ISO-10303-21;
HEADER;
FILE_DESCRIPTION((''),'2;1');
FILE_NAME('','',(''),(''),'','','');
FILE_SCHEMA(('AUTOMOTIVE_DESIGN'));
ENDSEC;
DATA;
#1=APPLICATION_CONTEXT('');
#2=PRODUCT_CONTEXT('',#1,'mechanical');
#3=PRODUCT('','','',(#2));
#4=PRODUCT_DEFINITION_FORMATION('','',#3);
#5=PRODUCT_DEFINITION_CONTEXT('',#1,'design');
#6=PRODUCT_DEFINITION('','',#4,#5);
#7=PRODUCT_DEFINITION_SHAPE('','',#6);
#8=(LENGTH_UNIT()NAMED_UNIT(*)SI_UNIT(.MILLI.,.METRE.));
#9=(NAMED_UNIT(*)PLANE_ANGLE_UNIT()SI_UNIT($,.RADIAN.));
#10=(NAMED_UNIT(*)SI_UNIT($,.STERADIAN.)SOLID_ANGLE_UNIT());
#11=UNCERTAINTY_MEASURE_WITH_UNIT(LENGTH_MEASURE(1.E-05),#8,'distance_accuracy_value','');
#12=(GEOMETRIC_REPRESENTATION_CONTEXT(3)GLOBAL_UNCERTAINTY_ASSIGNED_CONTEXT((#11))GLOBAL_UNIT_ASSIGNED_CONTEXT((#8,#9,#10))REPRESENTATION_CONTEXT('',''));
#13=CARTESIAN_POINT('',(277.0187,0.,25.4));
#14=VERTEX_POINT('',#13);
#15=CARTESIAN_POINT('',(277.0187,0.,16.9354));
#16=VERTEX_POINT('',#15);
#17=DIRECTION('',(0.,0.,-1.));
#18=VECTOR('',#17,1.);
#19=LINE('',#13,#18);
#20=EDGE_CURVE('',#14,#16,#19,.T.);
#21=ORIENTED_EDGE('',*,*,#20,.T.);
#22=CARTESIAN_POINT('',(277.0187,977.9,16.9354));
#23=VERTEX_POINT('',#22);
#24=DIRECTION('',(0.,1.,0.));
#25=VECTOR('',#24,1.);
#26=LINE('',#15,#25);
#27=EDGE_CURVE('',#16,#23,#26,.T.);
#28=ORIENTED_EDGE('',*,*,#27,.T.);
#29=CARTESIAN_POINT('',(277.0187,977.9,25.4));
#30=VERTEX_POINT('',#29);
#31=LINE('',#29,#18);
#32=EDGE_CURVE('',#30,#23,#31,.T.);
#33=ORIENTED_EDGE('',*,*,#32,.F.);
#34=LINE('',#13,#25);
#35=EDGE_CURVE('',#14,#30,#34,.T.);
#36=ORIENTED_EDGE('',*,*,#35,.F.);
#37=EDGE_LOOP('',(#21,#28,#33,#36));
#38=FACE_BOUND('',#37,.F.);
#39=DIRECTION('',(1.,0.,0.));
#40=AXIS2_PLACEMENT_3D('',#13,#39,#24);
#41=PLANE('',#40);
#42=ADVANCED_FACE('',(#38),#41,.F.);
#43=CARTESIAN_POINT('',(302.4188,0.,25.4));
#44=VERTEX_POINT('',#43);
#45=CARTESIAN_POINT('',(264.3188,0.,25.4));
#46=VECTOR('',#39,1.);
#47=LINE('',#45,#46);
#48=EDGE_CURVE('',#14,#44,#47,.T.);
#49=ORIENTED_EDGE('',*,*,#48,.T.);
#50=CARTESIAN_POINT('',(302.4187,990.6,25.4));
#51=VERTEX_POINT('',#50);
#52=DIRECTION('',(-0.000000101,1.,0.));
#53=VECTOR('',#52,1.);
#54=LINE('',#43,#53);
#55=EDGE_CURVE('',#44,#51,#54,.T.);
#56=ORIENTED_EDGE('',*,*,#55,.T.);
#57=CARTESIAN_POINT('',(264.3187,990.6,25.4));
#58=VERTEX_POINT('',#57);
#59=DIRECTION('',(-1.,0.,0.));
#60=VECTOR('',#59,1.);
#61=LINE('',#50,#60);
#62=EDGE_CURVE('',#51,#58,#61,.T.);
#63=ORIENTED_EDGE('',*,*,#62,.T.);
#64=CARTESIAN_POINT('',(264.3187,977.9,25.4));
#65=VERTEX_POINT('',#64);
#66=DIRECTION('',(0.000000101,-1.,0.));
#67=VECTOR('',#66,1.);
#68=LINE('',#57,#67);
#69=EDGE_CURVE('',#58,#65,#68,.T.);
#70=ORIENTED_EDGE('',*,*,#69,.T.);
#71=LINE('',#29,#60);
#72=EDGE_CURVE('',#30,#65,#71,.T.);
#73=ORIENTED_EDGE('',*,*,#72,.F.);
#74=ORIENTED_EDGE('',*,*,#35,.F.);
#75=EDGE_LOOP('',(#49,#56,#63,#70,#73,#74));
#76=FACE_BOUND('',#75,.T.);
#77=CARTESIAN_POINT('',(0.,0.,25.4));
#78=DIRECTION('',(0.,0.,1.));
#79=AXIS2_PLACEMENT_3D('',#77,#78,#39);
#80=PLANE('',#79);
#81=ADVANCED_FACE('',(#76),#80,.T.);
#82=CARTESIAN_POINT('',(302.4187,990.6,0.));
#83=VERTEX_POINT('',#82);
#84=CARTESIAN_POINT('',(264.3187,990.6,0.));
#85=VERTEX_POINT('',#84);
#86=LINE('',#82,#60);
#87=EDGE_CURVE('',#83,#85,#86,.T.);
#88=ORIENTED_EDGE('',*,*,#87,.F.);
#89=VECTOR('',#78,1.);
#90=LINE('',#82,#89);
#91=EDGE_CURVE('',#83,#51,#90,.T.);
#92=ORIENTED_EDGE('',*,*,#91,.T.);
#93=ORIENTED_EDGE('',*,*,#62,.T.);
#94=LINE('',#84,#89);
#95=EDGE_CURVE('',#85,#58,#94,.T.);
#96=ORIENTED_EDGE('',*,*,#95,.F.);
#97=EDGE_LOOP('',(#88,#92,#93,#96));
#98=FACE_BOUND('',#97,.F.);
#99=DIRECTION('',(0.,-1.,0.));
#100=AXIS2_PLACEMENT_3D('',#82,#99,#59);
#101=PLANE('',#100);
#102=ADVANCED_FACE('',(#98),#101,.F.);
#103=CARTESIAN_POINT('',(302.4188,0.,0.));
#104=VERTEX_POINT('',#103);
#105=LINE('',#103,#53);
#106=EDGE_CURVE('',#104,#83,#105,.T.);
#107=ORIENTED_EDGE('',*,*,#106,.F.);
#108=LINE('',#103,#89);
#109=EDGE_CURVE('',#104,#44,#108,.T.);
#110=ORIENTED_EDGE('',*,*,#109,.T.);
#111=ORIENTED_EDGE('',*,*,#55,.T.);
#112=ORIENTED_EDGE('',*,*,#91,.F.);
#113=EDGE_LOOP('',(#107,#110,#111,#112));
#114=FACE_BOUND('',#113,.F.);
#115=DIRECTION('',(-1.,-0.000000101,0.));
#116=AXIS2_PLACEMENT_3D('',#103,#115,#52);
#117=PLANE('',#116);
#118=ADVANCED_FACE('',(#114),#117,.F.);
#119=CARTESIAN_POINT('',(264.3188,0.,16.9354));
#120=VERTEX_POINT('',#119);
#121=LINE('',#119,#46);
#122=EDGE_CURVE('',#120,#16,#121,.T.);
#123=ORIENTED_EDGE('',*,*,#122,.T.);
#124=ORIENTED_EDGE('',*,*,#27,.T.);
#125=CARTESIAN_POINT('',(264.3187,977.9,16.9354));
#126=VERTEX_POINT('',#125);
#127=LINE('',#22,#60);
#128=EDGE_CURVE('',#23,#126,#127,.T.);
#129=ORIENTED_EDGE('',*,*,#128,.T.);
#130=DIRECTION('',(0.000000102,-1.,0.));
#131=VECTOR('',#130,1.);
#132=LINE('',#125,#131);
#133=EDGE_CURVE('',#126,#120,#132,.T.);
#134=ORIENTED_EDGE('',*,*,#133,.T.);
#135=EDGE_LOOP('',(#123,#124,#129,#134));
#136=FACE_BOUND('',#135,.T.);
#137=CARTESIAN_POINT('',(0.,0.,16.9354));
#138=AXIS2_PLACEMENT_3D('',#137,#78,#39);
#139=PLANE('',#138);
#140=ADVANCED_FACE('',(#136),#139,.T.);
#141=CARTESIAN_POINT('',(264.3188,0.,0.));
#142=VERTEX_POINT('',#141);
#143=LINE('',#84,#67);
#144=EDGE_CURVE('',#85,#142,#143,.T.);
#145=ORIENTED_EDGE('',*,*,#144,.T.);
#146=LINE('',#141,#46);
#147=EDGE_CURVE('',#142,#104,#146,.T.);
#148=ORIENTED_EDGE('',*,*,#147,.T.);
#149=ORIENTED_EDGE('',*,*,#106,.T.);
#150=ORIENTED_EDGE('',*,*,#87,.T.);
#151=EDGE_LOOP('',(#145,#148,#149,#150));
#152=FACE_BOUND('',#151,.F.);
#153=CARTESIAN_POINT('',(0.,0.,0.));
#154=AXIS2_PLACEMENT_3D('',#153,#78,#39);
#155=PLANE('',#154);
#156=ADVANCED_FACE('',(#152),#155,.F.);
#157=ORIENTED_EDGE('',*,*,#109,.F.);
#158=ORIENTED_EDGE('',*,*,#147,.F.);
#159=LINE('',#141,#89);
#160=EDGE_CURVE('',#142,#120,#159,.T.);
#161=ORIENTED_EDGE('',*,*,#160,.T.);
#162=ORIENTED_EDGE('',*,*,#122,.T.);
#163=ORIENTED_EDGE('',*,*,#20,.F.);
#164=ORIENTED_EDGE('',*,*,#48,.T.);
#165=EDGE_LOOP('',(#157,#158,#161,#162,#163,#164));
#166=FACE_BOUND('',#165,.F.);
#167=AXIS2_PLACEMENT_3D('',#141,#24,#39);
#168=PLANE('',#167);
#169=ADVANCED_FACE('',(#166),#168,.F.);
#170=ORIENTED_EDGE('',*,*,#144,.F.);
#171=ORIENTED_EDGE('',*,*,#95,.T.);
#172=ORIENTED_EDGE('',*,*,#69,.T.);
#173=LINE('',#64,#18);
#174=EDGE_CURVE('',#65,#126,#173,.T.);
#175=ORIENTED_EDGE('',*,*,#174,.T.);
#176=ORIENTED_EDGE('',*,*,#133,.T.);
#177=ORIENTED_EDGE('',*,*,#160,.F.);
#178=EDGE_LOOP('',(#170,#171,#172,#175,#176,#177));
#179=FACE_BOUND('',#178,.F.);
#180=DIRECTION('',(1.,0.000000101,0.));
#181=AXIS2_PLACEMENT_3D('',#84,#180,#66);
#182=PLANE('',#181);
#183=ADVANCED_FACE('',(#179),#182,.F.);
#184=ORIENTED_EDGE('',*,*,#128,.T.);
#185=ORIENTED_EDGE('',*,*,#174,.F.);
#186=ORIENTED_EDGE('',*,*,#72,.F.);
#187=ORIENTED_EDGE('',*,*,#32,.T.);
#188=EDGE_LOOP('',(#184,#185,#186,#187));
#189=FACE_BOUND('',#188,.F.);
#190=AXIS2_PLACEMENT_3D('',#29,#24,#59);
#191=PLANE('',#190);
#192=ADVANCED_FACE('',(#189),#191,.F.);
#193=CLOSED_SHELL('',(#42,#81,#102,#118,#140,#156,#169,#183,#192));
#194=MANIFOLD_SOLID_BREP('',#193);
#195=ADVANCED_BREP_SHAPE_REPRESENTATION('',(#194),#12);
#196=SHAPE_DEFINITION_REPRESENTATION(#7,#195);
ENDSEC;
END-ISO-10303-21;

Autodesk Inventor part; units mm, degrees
ref_plane "YZ Plane" through (0, 0, 0) normal (1, 0, 0) x (0, 1, 0)
ref_plane "XZ Plane" through (0, 0, 0) normal (0, 1, 0) x (-1, 0, 0)
ref_plane "XY Plane" through (0, 0, 0) normal (0, 0, 1) x (1, 0, 0)
ref_plane "Work Plane1" through (0, 0, 0) normal (0, 0, 1) x (1, 0, 0)
sketch "Sketch1" plane through (0, 0, 0) normal (0, 0, 1) x (1, 0, 0)
  line L0 (302.4187, 990.6) -> (264.3187, 990.6)
  line L1 (264.3187, 990.6) -> (264.3188, 0)
  line L2 (264.3188, 0) -> (302.4188, 0)
  line L3 (302.4188, 0) -> (302.4187, 990.6)
  point P0 (0, 0)
  dimension "d0" = 990.6
  dimension "d2" = 38.1
extrude "Extrusion1" add sketch "Sketch1" along normal blind 25.4
sketch "Sketch2" plane through (0, 0, 25.4) normal (0, 0, 1) x (1, 0, 0)
  line L0 (264.3188, 0) -> (277.0187, 0)
  line L1 (277.0187, 0) -> (277.0187, 977.9)
  line L2 (277.0187, 977.9) -> (264.3187, 977.9)
  line L3 (264.3187, 977.9) -> (264.3188, 0)
  line L4 (302.4187, 990.6) -> (264.3187, 990.6) projected
  line L5 (264.3187, 990.6) -> (264.3188, 0) projected
  line L6 (264.3188, 0) -> (302.4188, 0) projected
  line L7 (302.4188, 0) -> (302.4187, 990.6) projected
  point P0 (0, 0)
  dimension "d5" = 977.9
  dimension "d7" = 12.7
extrude "Extrusion2" cut sketch "Sketch2" against normal blind 8.4646 contours L3 L2 L1 L0
equation "\"d0\" = 0.5 * signH"
equation "\"d2\" = borderW"
equation "\"d3\" = borderH"
equation "\"d5\" = 0.5 * signH - panelLap"
equation "\"d7\" = panelLap"
equation "\"d8\" = panelH + velcroH + panelHClear"
equation "\"signH\" = 1981.2"
equation "\"borderW\" = 38.1"
equation "\"borderH\" = 25.4"
equation "\"velcroH\" = 2.54"
equation "\"panelH\" = 5.1308"
equation "\"panelHClear\" = 0.79375"
equation "\"panelLap\" = 12.7"
properties part number "Sideborder"
